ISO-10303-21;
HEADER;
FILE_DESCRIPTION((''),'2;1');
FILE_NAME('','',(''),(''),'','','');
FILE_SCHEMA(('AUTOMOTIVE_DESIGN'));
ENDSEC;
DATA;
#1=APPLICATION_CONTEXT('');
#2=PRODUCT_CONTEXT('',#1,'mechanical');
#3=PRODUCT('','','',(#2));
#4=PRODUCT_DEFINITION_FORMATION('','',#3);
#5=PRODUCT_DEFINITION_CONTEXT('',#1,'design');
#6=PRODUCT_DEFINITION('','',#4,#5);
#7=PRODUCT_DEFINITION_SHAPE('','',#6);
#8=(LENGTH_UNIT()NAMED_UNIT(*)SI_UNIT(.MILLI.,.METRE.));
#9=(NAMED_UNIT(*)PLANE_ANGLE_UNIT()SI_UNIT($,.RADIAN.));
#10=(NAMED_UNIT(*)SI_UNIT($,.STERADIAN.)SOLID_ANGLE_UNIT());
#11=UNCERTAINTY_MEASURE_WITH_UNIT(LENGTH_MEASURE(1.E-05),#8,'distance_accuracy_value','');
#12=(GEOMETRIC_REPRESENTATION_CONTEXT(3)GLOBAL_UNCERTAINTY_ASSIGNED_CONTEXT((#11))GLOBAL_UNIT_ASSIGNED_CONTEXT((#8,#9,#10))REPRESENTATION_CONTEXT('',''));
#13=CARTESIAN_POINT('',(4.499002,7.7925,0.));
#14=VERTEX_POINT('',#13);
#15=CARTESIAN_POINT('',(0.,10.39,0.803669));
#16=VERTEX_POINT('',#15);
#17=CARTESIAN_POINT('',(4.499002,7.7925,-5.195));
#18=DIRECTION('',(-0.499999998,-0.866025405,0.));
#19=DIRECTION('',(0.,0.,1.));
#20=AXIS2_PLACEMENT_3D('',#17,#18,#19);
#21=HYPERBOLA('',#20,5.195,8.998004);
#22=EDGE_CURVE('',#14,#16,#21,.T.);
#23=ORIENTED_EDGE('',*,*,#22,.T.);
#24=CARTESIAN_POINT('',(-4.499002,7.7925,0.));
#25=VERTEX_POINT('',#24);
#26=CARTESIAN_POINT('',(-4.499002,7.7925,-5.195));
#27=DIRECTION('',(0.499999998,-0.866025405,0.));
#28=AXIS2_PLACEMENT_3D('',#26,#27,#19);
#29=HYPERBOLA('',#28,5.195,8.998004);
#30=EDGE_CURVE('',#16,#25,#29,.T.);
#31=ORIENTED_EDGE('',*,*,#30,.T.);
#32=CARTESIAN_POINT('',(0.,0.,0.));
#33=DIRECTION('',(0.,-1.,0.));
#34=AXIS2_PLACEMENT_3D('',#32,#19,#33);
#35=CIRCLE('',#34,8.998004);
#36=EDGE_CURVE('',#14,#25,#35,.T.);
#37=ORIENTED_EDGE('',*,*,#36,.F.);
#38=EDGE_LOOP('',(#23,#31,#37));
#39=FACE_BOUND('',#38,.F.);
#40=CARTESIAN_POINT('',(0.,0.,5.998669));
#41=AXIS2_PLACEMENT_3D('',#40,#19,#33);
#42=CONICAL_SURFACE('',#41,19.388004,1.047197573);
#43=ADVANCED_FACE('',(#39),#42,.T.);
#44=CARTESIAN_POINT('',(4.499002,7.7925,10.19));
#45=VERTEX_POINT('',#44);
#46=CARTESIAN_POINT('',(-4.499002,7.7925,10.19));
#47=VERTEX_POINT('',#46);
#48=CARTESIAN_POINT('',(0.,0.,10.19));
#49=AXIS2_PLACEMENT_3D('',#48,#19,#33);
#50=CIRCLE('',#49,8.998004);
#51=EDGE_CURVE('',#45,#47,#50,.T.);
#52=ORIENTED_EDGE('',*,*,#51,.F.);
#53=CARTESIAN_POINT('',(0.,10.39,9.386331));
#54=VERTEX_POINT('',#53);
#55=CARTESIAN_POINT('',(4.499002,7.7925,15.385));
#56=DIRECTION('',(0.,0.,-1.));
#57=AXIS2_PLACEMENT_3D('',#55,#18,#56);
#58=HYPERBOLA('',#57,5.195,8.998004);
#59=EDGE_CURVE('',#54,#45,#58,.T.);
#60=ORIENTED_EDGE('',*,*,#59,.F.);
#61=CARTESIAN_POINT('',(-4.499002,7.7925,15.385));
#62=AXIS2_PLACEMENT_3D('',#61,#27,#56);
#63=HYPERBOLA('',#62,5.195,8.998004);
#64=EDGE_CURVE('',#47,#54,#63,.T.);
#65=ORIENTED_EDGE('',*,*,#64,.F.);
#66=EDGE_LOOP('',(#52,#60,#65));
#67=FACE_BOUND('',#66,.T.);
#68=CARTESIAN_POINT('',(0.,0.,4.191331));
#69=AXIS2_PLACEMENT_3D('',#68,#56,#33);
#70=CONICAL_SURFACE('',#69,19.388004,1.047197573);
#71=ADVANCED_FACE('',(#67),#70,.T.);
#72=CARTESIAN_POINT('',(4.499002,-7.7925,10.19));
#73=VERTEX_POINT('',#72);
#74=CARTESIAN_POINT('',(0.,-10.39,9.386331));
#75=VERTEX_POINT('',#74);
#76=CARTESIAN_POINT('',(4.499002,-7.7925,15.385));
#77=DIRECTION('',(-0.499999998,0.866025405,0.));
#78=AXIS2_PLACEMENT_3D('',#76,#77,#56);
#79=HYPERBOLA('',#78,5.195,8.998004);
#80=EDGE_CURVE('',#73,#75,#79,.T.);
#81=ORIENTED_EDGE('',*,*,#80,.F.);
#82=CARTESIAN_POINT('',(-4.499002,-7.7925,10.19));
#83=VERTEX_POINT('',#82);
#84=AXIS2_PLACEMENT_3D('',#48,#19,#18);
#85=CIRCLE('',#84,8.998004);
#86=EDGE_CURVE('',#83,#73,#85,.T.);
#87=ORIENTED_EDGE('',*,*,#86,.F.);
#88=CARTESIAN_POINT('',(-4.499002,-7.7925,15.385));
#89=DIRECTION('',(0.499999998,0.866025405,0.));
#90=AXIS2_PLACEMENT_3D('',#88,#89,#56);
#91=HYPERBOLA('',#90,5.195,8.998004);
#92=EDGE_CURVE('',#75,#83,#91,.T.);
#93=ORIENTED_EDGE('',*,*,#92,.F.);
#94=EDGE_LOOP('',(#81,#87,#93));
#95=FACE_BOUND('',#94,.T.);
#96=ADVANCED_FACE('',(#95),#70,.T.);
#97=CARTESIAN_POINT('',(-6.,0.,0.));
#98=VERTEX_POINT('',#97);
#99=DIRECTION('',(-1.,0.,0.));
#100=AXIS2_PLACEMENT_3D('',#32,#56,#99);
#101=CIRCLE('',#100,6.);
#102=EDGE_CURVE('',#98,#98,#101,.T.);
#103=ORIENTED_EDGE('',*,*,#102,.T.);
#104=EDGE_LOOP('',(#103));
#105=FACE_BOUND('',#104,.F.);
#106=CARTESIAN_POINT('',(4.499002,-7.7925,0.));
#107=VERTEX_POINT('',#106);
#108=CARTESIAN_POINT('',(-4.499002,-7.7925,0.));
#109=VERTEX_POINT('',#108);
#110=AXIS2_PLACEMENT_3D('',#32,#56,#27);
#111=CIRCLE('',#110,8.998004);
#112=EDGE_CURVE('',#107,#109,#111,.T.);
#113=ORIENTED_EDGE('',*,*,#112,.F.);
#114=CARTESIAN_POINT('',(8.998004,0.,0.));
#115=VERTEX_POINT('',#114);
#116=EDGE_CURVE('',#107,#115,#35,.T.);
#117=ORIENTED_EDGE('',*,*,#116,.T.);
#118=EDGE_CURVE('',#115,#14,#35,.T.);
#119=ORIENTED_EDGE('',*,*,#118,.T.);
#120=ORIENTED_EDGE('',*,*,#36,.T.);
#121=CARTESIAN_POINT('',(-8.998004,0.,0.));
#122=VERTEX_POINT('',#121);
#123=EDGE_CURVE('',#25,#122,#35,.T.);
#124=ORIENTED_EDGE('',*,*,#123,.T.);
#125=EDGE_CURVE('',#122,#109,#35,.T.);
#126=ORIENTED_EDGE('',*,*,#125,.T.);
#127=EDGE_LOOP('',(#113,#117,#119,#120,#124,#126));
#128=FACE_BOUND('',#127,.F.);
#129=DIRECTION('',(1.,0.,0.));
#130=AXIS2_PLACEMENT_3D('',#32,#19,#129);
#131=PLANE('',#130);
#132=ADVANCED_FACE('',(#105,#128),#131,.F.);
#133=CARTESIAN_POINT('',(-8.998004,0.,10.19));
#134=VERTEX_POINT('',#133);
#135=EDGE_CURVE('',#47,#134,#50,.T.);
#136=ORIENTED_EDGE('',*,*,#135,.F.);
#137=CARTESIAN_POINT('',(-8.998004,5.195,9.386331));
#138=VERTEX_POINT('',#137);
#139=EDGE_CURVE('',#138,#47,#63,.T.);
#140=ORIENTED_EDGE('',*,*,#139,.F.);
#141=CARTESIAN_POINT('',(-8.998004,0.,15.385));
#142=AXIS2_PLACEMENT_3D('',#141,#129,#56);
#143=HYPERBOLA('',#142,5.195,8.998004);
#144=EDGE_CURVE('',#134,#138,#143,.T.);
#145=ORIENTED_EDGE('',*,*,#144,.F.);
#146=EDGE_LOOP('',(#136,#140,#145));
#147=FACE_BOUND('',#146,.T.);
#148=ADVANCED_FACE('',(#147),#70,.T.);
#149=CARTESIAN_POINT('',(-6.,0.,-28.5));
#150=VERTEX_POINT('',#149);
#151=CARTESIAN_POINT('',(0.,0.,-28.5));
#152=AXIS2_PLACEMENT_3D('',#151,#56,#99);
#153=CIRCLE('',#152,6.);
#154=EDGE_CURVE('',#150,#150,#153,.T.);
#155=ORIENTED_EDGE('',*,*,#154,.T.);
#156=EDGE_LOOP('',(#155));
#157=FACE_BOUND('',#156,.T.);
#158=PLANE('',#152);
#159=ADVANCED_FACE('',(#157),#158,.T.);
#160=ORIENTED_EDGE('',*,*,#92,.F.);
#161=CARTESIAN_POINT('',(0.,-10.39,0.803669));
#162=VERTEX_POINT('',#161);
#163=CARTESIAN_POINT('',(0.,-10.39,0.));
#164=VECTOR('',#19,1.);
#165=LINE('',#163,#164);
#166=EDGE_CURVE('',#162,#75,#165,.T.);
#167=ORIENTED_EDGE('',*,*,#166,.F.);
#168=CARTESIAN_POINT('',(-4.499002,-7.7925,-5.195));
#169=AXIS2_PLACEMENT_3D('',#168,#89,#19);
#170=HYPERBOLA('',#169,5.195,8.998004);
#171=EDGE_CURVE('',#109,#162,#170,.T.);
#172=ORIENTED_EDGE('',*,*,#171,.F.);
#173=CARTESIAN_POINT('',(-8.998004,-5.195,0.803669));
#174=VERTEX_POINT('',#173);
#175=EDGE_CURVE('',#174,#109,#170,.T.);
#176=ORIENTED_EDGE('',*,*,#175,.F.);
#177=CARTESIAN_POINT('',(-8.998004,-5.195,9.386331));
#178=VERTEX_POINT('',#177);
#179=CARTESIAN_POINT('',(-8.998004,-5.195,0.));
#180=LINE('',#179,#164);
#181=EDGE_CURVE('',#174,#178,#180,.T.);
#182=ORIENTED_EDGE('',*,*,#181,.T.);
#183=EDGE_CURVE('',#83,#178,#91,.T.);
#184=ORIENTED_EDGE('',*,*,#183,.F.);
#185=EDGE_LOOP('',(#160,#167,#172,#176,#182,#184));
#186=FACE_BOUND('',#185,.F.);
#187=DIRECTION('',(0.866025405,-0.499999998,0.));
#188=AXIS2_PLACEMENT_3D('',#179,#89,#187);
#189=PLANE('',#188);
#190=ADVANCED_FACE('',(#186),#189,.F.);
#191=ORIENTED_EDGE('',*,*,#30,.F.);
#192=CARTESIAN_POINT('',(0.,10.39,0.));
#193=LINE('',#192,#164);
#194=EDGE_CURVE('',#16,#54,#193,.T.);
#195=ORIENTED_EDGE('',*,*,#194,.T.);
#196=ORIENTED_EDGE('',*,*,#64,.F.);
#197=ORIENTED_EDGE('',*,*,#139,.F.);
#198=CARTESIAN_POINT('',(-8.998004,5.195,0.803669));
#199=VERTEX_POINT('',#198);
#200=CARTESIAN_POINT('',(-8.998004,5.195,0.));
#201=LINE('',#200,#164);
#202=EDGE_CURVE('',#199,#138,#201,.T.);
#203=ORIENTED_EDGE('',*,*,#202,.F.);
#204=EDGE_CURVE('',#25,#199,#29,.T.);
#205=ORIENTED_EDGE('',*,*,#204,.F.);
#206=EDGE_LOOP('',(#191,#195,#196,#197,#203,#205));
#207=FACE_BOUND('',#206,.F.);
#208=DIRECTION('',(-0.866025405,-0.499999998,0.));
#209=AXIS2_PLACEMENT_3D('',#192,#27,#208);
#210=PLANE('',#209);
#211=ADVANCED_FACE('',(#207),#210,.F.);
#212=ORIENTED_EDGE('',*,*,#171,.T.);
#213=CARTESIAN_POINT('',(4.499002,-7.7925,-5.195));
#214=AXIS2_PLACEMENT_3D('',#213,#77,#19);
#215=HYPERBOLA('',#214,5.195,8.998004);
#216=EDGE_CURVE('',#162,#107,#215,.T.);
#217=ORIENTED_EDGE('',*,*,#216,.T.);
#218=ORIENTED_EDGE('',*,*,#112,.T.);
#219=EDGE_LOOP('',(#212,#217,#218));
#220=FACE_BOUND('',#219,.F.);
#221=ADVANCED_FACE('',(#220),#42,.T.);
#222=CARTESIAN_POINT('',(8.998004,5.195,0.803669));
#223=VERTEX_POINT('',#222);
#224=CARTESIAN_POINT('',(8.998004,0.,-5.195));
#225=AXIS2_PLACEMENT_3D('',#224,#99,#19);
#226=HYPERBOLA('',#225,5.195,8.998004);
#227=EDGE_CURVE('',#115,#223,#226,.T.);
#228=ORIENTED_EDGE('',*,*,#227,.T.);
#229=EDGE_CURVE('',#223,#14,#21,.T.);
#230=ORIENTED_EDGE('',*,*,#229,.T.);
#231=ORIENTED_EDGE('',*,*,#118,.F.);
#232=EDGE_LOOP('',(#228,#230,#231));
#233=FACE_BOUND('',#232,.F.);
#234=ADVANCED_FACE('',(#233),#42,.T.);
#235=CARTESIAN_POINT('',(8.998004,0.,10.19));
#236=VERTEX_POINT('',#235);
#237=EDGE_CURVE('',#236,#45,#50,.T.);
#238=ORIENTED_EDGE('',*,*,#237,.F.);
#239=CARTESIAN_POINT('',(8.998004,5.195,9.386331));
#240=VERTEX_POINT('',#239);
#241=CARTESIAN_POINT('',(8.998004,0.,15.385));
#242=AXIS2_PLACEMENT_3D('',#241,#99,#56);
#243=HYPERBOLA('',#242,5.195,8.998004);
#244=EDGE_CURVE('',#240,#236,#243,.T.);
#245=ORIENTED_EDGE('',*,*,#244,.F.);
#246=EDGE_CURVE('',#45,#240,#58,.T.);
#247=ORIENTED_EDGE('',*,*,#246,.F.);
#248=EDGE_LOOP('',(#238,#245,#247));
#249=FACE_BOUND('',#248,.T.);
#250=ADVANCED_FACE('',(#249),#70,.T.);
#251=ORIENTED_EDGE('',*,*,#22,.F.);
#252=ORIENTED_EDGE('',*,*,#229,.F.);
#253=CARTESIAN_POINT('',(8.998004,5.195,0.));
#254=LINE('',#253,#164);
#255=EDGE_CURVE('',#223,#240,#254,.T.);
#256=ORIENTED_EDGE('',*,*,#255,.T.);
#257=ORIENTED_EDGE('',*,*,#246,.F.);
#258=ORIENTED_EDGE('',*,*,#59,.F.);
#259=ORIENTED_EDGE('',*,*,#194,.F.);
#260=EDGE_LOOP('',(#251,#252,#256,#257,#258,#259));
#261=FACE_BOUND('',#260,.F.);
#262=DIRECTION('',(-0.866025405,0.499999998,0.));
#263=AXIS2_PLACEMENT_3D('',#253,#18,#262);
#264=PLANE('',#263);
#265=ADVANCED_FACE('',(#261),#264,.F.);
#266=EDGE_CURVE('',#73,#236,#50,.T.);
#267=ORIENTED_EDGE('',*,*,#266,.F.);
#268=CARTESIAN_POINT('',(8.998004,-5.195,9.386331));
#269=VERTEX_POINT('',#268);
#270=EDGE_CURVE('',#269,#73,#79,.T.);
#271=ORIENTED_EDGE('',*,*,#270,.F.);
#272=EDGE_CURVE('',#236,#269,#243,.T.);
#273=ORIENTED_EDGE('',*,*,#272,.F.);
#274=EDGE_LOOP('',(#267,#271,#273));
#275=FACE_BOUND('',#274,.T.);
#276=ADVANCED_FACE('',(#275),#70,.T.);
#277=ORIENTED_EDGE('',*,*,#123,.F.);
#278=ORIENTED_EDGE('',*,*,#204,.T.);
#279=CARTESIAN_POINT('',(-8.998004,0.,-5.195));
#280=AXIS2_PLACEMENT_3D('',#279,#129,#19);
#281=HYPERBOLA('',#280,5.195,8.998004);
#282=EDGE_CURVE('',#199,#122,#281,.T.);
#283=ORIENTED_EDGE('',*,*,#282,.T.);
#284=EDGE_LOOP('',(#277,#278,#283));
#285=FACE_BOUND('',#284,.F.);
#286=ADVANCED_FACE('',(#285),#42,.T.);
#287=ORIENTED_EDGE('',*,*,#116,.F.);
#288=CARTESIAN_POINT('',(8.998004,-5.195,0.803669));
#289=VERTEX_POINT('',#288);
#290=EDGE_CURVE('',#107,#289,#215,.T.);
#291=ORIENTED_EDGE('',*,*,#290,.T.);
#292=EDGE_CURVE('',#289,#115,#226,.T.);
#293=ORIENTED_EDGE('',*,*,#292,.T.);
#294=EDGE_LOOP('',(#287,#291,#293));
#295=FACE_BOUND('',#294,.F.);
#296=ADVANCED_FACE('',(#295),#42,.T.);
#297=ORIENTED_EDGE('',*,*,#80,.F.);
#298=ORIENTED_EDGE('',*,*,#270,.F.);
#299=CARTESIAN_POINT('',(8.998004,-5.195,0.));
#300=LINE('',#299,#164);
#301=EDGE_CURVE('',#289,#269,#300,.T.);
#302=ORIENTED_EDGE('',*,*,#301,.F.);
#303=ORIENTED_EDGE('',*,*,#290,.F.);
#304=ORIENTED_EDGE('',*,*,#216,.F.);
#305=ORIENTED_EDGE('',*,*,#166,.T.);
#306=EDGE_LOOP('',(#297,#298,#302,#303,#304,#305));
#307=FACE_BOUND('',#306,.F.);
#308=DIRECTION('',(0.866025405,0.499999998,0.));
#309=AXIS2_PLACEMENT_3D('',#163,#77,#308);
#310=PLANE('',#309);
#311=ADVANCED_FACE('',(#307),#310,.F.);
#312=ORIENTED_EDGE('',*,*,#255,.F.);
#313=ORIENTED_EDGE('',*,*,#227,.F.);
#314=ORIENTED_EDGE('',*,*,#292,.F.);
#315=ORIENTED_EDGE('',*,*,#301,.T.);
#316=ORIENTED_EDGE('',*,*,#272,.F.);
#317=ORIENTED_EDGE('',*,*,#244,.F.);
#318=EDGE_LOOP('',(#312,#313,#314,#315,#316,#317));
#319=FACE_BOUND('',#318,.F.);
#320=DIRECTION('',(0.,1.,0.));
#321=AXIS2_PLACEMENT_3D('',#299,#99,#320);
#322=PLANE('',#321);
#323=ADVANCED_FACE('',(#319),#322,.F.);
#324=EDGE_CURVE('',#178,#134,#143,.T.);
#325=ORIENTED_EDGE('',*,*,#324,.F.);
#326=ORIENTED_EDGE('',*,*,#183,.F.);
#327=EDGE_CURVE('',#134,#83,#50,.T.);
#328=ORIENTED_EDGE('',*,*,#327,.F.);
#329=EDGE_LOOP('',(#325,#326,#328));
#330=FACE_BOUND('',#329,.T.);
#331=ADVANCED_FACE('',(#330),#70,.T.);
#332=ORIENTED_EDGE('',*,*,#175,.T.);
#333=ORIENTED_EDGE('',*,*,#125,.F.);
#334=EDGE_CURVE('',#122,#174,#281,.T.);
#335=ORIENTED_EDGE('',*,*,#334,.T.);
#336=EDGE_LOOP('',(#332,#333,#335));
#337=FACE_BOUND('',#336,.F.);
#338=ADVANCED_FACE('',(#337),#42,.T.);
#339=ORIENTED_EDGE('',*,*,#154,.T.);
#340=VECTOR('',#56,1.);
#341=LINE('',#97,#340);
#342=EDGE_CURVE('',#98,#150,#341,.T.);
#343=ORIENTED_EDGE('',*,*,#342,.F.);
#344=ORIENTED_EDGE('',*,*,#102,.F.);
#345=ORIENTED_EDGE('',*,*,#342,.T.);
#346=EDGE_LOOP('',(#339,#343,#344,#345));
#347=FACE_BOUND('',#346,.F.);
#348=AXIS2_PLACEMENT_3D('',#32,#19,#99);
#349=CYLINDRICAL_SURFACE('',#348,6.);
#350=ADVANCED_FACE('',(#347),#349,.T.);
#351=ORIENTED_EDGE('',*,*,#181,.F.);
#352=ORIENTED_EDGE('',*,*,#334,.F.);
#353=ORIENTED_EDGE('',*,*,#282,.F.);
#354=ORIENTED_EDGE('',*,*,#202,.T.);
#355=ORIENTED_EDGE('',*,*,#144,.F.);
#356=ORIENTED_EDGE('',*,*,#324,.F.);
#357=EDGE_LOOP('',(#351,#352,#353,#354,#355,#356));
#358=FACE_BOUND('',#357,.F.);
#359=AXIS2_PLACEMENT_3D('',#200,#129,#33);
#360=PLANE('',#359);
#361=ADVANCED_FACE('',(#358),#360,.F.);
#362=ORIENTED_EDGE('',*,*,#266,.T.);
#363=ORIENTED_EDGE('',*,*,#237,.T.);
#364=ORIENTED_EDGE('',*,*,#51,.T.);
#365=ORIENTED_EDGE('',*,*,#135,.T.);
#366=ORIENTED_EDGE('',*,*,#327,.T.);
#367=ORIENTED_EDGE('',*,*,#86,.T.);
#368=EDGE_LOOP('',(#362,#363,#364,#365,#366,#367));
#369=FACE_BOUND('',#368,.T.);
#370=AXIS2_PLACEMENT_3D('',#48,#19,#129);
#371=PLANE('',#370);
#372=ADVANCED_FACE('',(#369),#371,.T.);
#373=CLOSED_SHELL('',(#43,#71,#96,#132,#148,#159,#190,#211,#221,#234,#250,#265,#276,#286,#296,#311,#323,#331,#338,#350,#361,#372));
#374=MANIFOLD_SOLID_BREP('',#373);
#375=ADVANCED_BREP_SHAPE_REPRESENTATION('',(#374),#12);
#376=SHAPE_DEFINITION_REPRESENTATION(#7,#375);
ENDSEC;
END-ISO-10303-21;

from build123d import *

# Parameters (mm, degrees)
PAD_DEPTH    = 10.19
SKETCH002_R  = 6
PAD001_DEPTH = 28.5


with BuildPart() as part:
    # Sketch → Pad (new body)
    with BuildSketch(Plane.XY):
        Polygon((0, 10.39), (-8.998004, 5.195), (-8.998004, -5.195), (0, -10.39), (8.998004, -5.195), (8.998004, 5.195), align=None)
    extrude(amount=PAD_DEPTH)

    # Sketch002 (on DatumPlane) → Pad001 (join)
    with BuildSketch(Plane(origin=(0, 0, 0), x_dir=(-1, 0, 0), z_dir=(0, 0, -1))):
        Circle(SKETCH002_R)
    extrude(amount=PAD001_DEPTH)

    # Sketch001 → Groove (revolve, cut)
    with BuildSketch(Plane.YZ):
        Polygon((-8.998004, 10.19), (-19.388004, 10.19), (-19.388004, 4.191331), align=None)
        Polygon((-8.998004, 0), (-19.388004, 0), (-19.388004, 5.998669), align=None)
    revolve(axis=Axis((0, 0, 0), (0, 0, 1)), mode=Mode.SUBTRACT)


solid = part.part
